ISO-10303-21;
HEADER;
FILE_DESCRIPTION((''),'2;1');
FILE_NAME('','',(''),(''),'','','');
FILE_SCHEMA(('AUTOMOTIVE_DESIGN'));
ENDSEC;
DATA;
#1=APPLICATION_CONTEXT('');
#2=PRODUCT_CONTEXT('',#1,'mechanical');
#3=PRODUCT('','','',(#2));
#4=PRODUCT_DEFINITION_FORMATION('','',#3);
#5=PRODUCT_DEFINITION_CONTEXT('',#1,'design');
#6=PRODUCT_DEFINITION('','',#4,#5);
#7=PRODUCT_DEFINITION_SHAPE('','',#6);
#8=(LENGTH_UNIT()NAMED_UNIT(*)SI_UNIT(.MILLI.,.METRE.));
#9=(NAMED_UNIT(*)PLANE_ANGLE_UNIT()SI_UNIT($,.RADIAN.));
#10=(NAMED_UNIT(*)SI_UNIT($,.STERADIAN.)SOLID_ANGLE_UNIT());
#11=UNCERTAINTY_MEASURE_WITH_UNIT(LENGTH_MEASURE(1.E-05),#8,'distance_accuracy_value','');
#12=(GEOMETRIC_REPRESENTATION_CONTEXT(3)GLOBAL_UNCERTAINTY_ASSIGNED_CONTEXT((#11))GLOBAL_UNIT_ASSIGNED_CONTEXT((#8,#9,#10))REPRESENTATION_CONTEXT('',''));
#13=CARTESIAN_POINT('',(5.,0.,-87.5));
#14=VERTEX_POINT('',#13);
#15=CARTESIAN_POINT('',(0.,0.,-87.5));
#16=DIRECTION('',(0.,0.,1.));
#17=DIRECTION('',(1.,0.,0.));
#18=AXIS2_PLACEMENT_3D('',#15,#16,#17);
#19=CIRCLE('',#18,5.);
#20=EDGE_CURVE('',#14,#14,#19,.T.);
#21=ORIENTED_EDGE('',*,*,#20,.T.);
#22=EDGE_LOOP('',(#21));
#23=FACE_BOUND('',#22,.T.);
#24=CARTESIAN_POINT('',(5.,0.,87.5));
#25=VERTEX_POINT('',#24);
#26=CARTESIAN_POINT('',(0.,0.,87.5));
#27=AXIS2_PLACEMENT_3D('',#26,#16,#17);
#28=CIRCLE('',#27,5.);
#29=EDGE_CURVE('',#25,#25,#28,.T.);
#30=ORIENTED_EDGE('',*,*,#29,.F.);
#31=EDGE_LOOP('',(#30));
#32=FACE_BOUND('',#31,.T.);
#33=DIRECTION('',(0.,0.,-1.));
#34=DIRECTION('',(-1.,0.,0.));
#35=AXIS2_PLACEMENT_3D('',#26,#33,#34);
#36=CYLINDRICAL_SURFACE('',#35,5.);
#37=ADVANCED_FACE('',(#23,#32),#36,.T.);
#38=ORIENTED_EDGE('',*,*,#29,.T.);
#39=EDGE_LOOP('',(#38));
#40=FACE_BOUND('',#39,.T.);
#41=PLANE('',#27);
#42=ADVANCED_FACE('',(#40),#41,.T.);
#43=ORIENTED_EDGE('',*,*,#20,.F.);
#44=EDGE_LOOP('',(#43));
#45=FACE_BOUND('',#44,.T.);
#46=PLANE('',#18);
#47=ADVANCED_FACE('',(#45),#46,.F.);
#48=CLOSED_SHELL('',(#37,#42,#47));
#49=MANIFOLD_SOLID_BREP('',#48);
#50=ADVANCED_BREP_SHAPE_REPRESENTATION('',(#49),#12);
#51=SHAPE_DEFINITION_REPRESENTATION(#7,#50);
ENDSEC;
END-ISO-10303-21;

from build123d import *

# Parameters (mm, degrees)
ESBO_O1_R                = 5
RESSALTO_EXTRUS_O1_DEPTH = 87.5


with BuildPart() as part:
    # Esboço1 → Ressalto-extrusão1 (new, symmetric)
    with BuildSketch(Plane.XY):
        Circle(ESBO_O1_R)
    extrude(amount=RESSALTO_EXTRUS_O1_DEPTH, both=True)


solid = part.part
